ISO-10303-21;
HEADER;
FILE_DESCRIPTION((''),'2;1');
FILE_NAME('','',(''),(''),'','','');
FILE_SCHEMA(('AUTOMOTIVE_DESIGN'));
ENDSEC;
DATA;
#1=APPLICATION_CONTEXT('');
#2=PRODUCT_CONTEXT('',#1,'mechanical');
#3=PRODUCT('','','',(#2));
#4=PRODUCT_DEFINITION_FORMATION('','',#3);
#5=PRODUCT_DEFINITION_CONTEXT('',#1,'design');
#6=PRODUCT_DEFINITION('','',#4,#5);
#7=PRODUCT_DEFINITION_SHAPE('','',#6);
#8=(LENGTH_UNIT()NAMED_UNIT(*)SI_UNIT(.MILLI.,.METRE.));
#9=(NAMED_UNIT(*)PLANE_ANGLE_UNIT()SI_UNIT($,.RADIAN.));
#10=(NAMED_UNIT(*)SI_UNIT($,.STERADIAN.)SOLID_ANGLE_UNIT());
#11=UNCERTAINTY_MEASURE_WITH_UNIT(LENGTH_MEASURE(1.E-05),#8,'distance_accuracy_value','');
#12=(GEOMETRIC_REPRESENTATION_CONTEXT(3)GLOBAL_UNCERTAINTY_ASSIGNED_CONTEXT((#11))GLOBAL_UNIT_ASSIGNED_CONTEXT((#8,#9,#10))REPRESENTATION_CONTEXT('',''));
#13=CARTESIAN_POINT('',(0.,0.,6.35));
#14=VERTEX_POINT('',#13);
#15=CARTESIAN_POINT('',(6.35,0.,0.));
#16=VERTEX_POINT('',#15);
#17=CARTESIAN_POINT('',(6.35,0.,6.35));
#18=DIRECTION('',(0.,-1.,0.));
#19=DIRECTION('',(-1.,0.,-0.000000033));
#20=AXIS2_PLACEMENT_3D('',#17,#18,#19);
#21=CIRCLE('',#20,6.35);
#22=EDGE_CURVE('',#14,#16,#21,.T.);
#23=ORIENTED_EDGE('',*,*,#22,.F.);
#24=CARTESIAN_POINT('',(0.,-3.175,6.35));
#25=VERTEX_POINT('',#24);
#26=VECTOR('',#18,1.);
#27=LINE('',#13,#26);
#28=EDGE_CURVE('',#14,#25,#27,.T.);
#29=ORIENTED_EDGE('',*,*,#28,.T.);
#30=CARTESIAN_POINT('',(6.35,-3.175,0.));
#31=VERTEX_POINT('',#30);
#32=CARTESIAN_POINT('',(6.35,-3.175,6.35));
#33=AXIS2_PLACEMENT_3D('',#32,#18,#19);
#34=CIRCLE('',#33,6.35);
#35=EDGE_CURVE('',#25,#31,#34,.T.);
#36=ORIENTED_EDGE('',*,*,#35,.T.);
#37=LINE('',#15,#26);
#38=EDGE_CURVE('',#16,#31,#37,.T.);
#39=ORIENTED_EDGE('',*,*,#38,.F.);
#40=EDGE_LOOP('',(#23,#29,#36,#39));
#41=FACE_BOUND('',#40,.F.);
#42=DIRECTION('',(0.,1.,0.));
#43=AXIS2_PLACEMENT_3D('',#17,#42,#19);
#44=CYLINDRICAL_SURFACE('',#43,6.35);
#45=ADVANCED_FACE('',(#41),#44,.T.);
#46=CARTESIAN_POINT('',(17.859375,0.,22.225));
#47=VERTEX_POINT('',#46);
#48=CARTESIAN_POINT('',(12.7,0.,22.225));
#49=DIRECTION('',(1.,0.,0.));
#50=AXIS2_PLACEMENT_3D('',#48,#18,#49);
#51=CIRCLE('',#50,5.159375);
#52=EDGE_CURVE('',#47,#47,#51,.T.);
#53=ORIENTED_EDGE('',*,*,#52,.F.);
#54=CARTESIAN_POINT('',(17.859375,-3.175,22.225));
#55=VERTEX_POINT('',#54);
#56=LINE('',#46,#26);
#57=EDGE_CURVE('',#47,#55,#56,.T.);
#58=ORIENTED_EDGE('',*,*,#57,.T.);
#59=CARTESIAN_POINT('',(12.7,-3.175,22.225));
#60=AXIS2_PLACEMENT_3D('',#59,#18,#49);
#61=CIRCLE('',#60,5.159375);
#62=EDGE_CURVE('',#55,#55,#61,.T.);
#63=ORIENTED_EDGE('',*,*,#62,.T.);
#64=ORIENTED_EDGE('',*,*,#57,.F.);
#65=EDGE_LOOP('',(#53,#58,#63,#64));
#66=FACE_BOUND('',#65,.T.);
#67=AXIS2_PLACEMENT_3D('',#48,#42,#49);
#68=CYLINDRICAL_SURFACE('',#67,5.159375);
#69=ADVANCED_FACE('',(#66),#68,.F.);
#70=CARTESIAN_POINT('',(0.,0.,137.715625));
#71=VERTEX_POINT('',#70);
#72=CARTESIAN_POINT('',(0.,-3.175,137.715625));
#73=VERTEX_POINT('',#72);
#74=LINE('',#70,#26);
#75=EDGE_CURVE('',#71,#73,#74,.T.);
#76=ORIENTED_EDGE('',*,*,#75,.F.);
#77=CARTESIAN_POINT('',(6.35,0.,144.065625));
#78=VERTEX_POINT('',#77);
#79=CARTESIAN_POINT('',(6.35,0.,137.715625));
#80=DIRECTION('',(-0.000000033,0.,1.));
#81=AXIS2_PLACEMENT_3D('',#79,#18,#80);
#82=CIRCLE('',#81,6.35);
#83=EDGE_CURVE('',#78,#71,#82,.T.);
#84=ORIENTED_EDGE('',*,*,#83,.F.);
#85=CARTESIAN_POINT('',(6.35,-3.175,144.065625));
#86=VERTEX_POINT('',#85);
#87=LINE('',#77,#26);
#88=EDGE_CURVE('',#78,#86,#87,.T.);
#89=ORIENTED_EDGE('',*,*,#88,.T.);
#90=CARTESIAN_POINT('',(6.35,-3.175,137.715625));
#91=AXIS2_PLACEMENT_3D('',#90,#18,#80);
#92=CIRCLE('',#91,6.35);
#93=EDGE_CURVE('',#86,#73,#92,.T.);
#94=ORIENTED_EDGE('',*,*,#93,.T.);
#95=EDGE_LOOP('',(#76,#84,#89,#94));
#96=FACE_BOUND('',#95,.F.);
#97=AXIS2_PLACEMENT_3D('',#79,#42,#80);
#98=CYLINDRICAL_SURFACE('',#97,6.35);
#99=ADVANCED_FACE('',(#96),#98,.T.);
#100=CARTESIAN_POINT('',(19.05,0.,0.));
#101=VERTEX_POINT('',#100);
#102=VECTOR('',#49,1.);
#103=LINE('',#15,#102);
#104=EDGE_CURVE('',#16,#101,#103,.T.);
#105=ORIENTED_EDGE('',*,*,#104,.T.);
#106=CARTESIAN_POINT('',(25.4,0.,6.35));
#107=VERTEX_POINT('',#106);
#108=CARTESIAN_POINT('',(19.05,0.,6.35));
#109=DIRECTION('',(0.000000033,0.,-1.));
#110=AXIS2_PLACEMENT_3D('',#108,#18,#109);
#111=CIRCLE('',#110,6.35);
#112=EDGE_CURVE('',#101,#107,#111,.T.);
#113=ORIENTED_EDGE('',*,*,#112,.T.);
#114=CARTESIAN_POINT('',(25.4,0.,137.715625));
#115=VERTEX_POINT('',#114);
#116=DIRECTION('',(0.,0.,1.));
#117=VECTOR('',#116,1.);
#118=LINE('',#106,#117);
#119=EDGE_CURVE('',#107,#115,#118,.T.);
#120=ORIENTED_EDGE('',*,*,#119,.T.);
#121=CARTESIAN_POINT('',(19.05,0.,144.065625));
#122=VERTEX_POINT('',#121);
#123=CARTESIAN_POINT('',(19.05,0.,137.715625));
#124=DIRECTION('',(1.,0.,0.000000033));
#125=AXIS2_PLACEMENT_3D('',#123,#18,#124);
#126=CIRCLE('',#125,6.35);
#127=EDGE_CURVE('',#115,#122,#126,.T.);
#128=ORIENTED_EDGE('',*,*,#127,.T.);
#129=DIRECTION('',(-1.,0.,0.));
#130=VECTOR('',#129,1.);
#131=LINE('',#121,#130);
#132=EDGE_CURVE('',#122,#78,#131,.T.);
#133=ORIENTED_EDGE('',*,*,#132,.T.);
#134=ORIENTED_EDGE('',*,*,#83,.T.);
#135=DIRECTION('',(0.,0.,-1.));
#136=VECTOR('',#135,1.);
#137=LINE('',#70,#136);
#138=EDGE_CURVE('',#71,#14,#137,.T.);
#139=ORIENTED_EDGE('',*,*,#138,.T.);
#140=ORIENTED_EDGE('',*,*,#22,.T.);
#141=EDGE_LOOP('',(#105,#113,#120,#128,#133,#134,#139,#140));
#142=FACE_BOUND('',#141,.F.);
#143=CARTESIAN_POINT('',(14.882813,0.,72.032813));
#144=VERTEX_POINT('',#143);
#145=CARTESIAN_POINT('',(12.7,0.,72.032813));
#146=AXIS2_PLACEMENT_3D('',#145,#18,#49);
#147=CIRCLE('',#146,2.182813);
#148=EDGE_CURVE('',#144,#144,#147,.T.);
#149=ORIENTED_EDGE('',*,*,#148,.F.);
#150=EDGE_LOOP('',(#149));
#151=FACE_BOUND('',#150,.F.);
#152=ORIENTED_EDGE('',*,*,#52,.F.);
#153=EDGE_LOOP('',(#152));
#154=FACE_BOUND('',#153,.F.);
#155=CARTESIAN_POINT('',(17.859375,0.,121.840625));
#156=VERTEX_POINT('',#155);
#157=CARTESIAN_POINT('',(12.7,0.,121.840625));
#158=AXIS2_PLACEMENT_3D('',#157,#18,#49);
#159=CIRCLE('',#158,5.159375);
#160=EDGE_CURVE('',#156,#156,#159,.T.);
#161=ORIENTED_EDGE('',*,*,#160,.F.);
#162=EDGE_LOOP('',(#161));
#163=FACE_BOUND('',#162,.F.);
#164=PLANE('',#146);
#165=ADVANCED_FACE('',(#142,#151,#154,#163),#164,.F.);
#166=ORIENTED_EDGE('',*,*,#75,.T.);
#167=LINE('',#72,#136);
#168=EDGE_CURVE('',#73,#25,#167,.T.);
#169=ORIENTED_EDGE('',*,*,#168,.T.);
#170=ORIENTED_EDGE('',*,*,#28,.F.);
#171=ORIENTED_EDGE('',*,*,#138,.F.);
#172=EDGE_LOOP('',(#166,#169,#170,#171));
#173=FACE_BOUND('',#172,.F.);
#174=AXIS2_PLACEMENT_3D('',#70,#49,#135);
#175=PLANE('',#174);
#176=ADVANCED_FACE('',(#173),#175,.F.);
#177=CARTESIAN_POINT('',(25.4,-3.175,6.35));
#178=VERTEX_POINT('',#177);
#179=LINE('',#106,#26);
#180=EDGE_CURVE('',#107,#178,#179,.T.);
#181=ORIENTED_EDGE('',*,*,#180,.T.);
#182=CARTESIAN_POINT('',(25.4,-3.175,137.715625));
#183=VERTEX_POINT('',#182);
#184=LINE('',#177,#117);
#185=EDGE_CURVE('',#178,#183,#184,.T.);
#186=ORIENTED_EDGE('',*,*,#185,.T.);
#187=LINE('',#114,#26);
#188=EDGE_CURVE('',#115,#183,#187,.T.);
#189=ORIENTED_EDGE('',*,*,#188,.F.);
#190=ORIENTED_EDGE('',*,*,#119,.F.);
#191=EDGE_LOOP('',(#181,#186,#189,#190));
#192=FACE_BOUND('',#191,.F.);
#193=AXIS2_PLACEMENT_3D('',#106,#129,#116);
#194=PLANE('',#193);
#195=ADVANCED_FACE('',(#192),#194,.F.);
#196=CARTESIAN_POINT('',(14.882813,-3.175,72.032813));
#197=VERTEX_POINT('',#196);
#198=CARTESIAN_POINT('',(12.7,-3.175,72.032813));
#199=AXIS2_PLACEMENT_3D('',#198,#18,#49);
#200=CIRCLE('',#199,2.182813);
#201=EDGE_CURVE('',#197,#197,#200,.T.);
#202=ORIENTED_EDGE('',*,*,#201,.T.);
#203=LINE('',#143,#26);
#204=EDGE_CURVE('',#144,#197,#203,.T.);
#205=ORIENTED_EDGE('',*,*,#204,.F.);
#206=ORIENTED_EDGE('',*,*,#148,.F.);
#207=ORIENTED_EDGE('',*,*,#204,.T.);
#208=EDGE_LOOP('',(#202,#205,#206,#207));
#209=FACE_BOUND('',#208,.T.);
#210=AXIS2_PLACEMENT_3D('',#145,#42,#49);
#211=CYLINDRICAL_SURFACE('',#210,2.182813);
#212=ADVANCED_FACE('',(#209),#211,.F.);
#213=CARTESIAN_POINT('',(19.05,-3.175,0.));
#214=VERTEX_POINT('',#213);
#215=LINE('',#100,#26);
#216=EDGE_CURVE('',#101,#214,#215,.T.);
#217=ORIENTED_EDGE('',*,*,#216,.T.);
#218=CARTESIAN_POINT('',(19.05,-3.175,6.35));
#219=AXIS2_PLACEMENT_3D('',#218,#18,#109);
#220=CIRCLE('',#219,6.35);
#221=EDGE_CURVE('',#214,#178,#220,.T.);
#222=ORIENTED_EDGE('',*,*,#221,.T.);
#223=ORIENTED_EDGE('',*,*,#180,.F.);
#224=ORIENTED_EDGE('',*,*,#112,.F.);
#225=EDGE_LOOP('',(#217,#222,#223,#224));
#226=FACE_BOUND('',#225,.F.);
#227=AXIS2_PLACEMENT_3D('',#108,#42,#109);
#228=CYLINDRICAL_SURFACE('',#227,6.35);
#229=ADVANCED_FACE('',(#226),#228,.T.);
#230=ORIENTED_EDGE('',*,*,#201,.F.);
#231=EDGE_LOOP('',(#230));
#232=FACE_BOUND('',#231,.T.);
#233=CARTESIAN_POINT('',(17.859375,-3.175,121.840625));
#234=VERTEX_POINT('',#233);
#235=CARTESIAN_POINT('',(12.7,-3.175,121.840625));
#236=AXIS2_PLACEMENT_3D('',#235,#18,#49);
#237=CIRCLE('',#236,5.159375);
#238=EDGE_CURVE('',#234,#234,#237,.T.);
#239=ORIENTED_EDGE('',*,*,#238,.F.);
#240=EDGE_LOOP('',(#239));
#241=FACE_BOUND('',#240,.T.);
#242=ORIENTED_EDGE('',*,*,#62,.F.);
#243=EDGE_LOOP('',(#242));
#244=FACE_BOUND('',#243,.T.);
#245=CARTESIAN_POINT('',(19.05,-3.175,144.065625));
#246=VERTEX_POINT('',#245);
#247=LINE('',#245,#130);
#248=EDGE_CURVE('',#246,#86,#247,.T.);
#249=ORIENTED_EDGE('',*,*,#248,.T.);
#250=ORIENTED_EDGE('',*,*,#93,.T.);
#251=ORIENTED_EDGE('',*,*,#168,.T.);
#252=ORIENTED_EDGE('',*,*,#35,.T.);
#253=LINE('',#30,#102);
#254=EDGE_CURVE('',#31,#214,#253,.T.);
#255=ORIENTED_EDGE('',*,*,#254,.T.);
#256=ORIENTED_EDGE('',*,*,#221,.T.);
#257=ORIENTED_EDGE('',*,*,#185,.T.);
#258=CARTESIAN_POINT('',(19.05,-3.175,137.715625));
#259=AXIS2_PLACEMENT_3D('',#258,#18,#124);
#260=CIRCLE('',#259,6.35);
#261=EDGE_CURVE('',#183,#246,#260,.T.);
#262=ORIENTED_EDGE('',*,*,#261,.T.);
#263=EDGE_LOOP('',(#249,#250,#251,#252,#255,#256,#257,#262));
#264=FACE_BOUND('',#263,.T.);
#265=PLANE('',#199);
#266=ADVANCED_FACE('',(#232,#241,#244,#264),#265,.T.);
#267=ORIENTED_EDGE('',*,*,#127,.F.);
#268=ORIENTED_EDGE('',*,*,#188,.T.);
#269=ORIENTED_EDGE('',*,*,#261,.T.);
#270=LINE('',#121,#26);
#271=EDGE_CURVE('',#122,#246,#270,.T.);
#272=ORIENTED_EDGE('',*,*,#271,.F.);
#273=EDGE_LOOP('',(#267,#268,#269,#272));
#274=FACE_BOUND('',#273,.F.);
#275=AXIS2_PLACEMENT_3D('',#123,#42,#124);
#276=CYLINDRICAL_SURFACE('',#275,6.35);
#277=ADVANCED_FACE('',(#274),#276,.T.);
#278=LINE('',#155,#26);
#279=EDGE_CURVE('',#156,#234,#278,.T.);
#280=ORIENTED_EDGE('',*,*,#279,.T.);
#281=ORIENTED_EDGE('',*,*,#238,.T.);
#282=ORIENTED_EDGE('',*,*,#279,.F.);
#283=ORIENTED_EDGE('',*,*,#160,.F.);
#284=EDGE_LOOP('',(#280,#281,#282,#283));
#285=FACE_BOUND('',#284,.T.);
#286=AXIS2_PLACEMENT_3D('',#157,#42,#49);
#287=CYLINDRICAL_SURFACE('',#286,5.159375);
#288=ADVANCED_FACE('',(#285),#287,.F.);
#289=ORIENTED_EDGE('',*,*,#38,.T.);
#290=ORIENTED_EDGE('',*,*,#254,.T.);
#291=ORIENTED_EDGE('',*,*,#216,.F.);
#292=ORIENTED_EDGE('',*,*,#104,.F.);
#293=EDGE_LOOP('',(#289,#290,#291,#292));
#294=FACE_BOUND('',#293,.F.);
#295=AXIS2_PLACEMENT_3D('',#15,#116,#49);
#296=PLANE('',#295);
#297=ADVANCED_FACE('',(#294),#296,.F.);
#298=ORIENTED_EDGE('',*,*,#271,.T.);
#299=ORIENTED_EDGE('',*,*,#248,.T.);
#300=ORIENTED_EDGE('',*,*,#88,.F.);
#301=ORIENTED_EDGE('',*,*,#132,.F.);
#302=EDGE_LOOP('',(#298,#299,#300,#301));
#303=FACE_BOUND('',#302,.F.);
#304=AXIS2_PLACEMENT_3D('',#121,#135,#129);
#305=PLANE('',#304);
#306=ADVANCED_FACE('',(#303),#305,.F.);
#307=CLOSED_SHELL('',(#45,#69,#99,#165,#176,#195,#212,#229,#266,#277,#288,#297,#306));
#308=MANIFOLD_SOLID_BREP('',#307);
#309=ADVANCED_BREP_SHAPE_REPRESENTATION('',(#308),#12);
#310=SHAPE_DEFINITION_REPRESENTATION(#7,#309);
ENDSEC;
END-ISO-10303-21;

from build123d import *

# Parameters (mm, degrees)
F0_R     = 5.159375
F0_R_2   = 2.182813
F1_DEPTH = 3.175


with BuildPart() as f1:
    # F0 (on Front) → F1 (new body)
    with BuildSketch(Plane.XZ):
        with BuildLine():
            ThreePointArc((0, 6.35), (1.859872, 1.859872), (6.35, 0))
            Line((6.35, 0), (19.05, 0))
            ThreePointArc((19.05, 0), (23.540128, 1.859872), (25.4, 6.35))
            Line((25.4, 6.35), (25.4, 137.715625))
            ThreePointArc((25.4, 137.715625), (23.540128, 142.205753), (19.05, 144.065625))
            Line((19.05, 144.065625), (6.35, 144.065625))
            ThreePointArc((6.35, 144.065625), (1.859872, 142.205753), (0, 137.715625))
            Line((0, 137.715625), (0, 6.35))
        make_face()
        with Locations((12.7, 22.225)):
            Circle(F0_R, mode=Mode.SUBTRACT)
        with Locations((12.7, 72.032813)):
            Circle(F0_R_2, mode=Mode.SUBTRACT)
        with Locations((12.7, 121.840625)):
            Circle(F0_R, mode=Mode.SUBTRACT)
    extrude(amount=F1_DEPTH)


solid = f1.part
